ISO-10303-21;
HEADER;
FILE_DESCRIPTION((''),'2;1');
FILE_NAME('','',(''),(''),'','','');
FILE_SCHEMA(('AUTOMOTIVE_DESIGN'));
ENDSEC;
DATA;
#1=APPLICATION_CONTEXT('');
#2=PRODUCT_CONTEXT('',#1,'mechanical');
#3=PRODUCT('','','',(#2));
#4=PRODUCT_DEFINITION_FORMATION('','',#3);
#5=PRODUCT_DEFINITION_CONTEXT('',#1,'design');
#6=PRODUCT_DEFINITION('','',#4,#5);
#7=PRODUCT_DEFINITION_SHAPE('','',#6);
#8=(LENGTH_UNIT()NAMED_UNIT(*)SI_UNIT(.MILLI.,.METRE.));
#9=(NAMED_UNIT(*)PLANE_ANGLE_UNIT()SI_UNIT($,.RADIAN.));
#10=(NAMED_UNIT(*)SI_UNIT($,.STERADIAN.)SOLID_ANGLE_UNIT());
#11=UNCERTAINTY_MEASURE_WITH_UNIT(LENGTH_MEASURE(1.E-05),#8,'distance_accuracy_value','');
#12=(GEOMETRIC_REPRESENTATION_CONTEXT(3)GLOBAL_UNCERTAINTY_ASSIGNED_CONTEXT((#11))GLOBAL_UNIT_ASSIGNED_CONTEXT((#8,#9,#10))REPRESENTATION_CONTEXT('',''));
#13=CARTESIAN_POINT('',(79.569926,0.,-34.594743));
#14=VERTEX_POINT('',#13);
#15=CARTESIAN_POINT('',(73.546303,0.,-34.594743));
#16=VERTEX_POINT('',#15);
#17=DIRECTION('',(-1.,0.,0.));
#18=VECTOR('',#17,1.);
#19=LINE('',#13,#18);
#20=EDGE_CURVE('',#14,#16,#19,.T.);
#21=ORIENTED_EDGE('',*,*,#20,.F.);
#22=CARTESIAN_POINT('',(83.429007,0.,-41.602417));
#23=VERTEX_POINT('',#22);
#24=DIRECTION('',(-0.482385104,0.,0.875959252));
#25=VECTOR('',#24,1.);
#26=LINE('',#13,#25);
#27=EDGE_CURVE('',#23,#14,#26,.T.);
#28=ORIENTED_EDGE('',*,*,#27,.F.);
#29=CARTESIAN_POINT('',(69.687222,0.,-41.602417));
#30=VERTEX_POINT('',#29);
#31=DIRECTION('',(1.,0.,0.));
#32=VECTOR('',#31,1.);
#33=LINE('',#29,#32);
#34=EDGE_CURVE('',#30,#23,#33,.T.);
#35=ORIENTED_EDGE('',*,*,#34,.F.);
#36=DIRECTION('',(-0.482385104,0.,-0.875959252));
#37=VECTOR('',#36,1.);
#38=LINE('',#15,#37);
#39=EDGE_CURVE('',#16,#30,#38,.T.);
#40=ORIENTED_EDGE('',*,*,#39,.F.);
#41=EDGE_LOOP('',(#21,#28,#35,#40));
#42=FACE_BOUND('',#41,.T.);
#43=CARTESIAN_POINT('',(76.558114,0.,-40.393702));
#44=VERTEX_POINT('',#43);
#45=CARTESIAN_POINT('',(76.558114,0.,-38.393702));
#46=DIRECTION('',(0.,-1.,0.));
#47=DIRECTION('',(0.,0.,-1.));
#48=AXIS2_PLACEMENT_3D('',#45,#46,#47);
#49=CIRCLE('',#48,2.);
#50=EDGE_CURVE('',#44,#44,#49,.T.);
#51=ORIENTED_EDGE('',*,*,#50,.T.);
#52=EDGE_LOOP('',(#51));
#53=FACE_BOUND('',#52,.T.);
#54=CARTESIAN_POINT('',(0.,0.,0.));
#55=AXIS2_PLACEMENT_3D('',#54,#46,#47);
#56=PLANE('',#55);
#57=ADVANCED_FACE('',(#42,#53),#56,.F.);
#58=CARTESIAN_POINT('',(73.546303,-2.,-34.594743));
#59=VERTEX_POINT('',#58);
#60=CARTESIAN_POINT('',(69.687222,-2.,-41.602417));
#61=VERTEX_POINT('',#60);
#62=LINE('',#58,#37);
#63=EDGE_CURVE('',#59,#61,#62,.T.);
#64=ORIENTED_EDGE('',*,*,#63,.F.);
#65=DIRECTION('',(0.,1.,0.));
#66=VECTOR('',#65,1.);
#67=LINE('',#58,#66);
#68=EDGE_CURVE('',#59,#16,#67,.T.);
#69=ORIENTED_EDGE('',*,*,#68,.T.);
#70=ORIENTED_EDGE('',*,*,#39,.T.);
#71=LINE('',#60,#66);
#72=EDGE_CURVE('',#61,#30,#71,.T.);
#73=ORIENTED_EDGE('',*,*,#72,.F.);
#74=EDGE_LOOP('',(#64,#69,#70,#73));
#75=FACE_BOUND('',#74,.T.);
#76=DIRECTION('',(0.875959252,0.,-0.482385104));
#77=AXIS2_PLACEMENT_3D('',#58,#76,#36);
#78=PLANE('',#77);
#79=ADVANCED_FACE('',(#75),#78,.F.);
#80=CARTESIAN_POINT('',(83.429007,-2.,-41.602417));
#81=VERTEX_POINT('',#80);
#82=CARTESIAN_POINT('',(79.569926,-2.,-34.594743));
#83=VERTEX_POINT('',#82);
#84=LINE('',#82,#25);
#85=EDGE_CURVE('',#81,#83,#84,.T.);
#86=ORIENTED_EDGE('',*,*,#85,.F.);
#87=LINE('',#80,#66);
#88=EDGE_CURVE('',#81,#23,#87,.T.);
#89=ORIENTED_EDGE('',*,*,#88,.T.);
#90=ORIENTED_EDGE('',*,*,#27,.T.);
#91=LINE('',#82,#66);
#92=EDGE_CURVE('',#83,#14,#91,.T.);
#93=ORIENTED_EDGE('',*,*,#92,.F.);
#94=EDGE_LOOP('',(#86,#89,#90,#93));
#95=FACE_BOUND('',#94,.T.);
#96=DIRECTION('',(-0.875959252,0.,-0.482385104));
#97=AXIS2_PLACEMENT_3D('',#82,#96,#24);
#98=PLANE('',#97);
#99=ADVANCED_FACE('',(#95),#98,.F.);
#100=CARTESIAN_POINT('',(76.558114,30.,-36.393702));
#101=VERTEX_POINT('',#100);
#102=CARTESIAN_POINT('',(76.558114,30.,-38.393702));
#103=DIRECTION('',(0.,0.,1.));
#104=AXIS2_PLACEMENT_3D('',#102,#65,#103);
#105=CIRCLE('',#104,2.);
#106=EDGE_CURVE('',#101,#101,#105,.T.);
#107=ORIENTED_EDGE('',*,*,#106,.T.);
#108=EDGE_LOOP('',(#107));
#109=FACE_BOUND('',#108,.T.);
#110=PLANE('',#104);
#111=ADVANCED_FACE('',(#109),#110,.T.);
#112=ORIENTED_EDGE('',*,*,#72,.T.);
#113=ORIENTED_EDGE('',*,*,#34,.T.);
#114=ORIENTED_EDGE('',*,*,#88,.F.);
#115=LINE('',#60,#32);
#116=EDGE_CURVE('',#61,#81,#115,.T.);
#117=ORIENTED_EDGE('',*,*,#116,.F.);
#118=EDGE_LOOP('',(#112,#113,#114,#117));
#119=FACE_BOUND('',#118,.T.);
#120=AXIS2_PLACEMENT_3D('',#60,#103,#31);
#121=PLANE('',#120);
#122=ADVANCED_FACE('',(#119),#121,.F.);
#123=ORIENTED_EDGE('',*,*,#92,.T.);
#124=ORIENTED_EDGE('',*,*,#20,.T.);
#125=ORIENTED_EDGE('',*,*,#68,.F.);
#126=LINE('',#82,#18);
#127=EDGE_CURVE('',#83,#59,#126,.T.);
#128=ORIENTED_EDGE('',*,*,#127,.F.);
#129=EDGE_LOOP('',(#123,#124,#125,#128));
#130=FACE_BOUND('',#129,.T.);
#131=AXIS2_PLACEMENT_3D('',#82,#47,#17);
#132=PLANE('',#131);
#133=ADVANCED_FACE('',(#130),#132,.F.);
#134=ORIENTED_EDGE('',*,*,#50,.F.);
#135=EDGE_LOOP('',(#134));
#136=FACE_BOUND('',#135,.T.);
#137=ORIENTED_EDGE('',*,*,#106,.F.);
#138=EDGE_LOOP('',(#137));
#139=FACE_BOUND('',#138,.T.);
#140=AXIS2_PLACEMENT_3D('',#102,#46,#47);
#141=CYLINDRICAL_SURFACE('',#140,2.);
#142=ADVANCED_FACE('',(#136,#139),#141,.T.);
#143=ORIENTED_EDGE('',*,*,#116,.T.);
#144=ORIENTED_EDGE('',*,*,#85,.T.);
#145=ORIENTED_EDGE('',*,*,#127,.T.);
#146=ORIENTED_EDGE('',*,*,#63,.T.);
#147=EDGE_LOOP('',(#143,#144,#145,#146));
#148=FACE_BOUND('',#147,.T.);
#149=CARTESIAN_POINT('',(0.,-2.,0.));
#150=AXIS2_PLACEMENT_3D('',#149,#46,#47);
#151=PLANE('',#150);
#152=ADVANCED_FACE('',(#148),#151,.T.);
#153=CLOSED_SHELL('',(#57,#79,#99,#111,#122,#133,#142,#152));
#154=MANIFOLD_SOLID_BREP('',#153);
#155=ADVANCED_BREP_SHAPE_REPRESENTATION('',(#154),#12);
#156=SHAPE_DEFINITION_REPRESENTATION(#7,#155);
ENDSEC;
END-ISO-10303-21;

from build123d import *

# Parameters (mm, degrees)
SKETCH1_R           = 2
BOSS_EXTRUDE1_DEPTH = 30
BOSS_EXTRUDE2_DEPTH = 2


with BuildPart() as part:
    # Sketch1 → Boss-Extrude1 (new body)
    with BuildSketch(Plane(origin=(0, 0, 0), x_dir=(1, 0, 0), z_dir=(0, 1, 0))):
        with Locations((76.558114335, 38.393702022)):
            Circle(SKETCH1_R)
    extrude(amount=BOSS_EXTRUDE1_DEPTH)

    # Sketch2 → Boss-Extrude2 (add)
    with BuildSketch(Plane.XZ):
        Polygon((79.569925871, -34.594742746), (73.5463028, -34.594742746), (69.687221965, -41.602416762), (83.429006706, -41.602416762), align=None)
    extrude(amount=BOSS_EXTRUDE2_DEPTH)


solid = part.part
